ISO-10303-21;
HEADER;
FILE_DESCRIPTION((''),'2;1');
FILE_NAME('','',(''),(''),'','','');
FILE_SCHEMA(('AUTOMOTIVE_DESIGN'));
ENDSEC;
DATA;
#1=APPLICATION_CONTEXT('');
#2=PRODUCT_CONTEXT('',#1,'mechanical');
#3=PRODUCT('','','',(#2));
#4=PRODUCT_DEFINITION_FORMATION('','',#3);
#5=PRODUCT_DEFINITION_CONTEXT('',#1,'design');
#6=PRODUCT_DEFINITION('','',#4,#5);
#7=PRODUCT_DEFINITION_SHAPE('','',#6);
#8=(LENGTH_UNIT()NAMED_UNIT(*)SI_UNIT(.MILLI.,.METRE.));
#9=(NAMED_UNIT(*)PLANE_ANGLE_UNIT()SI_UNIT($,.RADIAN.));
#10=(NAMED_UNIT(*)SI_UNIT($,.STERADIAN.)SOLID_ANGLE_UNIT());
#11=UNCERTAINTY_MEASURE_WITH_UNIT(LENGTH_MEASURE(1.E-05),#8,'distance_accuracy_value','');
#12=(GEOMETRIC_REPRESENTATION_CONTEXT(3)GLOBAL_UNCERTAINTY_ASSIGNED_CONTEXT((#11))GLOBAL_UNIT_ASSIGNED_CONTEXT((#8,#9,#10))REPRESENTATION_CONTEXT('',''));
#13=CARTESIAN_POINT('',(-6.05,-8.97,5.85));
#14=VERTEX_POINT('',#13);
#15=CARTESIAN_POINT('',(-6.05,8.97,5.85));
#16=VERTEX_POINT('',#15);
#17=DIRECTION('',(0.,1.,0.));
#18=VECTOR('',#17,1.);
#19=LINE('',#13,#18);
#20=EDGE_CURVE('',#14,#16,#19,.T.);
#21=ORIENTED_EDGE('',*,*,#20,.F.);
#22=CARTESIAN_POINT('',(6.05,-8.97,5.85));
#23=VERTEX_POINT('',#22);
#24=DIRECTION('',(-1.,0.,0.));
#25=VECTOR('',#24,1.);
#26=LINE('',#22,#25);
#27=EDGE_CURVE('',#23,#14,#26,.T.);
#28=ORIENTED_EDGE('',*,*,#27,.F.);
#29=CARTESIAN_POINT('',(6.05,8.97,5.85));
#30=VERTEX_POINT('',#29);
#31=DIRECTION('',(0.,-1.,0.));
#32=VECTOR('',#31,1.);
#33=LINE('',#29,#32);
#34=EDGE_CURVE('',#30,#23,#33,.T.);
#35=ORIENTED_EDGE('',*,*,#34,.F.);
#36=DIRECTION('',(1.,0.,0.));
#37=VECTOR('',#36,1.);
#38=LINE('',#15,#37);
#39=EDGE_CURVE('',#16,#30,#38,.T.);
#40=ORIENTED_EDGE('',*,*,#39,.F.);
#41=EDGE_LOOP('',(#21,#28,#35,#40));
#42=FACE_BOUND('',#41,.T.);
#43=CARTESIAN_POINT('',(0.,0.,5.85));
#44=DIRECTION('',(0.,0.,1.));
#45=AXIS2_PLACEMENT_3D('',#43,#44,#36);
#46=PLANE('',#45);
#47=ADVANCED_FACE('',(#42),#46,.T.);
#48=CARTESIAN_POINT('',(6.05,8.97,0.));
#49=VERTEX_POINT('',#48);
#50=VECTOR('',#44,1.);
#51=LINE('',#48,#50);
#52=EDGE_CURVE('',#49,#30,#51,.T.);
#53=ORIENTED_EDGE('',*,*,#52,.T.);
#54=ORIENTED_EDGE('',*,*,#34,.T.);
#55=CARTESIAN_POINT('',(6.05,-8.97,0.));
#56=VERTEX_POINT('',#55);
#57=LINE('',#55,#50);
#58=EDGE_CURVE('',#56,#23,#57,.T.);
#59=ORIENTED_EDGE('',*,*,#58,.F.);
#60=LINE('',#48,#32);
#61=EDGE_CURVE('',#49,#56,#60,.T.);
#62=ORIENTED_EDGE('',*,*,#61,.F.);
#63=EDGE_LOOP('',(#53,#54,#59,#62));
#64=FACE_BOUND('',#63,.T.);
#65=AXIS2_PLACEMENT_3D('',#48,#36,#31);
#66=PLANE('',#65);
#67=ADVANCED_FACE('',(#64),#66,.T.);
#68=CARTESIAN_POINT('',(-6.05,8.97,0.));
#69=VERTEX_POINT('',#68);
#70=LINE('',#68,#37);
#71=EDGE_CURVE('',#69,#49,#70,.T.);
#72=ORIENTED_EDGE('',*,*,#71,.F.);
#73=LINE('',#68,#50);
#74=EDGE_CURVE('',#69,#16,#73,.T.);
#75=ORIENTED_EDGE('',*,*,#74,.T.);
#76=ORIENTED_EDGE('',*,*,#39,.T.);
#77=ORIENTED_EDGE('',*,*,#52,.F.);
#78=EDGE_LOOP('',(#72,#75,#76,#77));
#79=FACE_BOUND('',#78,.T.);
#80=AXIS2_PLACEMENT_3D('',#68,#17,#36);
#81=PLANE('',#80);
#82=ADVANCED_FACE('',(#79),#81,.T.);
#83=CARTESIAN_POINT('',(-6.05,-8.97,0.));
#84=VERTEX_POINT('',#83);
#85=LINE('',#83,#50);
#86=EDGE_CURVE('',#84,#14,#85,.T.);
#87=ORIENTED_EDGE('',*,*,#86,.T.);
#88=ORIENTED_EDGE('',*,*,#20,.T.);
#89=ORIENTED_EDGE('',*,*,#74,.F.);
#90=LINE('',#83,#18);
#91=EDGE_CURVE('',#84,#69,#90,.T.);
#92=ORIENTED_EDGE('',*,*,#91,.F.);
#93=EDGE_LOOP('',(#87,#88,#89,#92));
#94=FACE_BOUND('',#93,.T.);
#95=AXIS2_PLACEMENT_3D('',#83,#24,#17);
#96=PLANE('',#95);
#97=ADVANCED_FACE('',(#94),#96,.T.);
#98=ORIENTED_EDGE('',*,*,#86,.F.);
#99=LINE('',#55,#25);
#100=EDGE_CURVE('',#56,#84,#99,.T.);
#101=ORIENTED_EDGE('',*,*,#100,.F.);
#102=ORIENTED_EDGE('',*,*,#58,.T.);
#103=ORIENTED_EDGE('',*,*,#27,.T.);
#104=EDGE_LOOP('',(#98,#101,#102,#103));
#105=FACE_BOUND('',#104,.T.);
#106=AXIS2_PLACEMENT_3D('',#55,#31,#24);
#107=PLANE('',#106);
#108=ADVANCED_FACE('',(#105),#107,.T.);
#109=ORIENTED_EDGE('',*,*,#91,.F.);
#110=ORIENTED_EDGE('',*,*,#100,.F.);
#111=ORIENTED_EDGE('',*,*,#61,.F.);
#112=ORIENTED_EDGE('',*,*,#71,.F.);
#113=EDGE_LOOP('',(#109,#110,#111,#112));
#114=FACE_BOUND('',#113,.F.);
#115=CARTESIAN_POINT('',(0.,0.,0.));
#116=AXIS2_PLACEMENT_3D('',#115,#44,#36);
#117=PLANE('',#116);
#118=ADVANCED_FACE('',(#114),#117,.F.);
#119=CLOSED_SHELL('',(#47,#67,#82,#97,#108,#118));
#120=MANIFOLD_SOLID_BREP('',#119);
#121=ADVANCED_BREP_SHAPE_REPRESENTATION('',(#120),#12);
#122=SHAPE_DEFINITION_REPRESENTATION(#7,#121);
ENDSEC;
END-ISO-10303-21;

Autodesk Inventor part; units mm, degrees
ref_plane "YZ Plane" through (0, 0, 0) normal (1, 0, 0) x (0, 1, 0)
ref_plane "XZ Plane" through (0, 0, 0) normal (0, 1, 0) x (-1, 0, 0)
ref_plane "XY Plane" through (0, 0, 0) normal (0, 0, 1) x (1, 0, 0)
sketch "SATA_PLUG, SATA_PLUG_55" plane through (0, 0, 0) normal (0, 0, 1) x (1, 0, 0)
  line L0 (-6.05, -8.97) -> (-6.05, 8.97)
  line L1 (-6.05, 8.97) -> (6.05, 8.97)
  line L2 (6.05, 8.97) -> (6.05, -8.97)
  line L3 (6.05, -8.97) -> (-6.05, -8.97)
extrude "Extrusion1" add sketch "SATA_PLUG, SATA_PLUG_55" along normal blind 5.85
properties part number "SATA_PLUG"
